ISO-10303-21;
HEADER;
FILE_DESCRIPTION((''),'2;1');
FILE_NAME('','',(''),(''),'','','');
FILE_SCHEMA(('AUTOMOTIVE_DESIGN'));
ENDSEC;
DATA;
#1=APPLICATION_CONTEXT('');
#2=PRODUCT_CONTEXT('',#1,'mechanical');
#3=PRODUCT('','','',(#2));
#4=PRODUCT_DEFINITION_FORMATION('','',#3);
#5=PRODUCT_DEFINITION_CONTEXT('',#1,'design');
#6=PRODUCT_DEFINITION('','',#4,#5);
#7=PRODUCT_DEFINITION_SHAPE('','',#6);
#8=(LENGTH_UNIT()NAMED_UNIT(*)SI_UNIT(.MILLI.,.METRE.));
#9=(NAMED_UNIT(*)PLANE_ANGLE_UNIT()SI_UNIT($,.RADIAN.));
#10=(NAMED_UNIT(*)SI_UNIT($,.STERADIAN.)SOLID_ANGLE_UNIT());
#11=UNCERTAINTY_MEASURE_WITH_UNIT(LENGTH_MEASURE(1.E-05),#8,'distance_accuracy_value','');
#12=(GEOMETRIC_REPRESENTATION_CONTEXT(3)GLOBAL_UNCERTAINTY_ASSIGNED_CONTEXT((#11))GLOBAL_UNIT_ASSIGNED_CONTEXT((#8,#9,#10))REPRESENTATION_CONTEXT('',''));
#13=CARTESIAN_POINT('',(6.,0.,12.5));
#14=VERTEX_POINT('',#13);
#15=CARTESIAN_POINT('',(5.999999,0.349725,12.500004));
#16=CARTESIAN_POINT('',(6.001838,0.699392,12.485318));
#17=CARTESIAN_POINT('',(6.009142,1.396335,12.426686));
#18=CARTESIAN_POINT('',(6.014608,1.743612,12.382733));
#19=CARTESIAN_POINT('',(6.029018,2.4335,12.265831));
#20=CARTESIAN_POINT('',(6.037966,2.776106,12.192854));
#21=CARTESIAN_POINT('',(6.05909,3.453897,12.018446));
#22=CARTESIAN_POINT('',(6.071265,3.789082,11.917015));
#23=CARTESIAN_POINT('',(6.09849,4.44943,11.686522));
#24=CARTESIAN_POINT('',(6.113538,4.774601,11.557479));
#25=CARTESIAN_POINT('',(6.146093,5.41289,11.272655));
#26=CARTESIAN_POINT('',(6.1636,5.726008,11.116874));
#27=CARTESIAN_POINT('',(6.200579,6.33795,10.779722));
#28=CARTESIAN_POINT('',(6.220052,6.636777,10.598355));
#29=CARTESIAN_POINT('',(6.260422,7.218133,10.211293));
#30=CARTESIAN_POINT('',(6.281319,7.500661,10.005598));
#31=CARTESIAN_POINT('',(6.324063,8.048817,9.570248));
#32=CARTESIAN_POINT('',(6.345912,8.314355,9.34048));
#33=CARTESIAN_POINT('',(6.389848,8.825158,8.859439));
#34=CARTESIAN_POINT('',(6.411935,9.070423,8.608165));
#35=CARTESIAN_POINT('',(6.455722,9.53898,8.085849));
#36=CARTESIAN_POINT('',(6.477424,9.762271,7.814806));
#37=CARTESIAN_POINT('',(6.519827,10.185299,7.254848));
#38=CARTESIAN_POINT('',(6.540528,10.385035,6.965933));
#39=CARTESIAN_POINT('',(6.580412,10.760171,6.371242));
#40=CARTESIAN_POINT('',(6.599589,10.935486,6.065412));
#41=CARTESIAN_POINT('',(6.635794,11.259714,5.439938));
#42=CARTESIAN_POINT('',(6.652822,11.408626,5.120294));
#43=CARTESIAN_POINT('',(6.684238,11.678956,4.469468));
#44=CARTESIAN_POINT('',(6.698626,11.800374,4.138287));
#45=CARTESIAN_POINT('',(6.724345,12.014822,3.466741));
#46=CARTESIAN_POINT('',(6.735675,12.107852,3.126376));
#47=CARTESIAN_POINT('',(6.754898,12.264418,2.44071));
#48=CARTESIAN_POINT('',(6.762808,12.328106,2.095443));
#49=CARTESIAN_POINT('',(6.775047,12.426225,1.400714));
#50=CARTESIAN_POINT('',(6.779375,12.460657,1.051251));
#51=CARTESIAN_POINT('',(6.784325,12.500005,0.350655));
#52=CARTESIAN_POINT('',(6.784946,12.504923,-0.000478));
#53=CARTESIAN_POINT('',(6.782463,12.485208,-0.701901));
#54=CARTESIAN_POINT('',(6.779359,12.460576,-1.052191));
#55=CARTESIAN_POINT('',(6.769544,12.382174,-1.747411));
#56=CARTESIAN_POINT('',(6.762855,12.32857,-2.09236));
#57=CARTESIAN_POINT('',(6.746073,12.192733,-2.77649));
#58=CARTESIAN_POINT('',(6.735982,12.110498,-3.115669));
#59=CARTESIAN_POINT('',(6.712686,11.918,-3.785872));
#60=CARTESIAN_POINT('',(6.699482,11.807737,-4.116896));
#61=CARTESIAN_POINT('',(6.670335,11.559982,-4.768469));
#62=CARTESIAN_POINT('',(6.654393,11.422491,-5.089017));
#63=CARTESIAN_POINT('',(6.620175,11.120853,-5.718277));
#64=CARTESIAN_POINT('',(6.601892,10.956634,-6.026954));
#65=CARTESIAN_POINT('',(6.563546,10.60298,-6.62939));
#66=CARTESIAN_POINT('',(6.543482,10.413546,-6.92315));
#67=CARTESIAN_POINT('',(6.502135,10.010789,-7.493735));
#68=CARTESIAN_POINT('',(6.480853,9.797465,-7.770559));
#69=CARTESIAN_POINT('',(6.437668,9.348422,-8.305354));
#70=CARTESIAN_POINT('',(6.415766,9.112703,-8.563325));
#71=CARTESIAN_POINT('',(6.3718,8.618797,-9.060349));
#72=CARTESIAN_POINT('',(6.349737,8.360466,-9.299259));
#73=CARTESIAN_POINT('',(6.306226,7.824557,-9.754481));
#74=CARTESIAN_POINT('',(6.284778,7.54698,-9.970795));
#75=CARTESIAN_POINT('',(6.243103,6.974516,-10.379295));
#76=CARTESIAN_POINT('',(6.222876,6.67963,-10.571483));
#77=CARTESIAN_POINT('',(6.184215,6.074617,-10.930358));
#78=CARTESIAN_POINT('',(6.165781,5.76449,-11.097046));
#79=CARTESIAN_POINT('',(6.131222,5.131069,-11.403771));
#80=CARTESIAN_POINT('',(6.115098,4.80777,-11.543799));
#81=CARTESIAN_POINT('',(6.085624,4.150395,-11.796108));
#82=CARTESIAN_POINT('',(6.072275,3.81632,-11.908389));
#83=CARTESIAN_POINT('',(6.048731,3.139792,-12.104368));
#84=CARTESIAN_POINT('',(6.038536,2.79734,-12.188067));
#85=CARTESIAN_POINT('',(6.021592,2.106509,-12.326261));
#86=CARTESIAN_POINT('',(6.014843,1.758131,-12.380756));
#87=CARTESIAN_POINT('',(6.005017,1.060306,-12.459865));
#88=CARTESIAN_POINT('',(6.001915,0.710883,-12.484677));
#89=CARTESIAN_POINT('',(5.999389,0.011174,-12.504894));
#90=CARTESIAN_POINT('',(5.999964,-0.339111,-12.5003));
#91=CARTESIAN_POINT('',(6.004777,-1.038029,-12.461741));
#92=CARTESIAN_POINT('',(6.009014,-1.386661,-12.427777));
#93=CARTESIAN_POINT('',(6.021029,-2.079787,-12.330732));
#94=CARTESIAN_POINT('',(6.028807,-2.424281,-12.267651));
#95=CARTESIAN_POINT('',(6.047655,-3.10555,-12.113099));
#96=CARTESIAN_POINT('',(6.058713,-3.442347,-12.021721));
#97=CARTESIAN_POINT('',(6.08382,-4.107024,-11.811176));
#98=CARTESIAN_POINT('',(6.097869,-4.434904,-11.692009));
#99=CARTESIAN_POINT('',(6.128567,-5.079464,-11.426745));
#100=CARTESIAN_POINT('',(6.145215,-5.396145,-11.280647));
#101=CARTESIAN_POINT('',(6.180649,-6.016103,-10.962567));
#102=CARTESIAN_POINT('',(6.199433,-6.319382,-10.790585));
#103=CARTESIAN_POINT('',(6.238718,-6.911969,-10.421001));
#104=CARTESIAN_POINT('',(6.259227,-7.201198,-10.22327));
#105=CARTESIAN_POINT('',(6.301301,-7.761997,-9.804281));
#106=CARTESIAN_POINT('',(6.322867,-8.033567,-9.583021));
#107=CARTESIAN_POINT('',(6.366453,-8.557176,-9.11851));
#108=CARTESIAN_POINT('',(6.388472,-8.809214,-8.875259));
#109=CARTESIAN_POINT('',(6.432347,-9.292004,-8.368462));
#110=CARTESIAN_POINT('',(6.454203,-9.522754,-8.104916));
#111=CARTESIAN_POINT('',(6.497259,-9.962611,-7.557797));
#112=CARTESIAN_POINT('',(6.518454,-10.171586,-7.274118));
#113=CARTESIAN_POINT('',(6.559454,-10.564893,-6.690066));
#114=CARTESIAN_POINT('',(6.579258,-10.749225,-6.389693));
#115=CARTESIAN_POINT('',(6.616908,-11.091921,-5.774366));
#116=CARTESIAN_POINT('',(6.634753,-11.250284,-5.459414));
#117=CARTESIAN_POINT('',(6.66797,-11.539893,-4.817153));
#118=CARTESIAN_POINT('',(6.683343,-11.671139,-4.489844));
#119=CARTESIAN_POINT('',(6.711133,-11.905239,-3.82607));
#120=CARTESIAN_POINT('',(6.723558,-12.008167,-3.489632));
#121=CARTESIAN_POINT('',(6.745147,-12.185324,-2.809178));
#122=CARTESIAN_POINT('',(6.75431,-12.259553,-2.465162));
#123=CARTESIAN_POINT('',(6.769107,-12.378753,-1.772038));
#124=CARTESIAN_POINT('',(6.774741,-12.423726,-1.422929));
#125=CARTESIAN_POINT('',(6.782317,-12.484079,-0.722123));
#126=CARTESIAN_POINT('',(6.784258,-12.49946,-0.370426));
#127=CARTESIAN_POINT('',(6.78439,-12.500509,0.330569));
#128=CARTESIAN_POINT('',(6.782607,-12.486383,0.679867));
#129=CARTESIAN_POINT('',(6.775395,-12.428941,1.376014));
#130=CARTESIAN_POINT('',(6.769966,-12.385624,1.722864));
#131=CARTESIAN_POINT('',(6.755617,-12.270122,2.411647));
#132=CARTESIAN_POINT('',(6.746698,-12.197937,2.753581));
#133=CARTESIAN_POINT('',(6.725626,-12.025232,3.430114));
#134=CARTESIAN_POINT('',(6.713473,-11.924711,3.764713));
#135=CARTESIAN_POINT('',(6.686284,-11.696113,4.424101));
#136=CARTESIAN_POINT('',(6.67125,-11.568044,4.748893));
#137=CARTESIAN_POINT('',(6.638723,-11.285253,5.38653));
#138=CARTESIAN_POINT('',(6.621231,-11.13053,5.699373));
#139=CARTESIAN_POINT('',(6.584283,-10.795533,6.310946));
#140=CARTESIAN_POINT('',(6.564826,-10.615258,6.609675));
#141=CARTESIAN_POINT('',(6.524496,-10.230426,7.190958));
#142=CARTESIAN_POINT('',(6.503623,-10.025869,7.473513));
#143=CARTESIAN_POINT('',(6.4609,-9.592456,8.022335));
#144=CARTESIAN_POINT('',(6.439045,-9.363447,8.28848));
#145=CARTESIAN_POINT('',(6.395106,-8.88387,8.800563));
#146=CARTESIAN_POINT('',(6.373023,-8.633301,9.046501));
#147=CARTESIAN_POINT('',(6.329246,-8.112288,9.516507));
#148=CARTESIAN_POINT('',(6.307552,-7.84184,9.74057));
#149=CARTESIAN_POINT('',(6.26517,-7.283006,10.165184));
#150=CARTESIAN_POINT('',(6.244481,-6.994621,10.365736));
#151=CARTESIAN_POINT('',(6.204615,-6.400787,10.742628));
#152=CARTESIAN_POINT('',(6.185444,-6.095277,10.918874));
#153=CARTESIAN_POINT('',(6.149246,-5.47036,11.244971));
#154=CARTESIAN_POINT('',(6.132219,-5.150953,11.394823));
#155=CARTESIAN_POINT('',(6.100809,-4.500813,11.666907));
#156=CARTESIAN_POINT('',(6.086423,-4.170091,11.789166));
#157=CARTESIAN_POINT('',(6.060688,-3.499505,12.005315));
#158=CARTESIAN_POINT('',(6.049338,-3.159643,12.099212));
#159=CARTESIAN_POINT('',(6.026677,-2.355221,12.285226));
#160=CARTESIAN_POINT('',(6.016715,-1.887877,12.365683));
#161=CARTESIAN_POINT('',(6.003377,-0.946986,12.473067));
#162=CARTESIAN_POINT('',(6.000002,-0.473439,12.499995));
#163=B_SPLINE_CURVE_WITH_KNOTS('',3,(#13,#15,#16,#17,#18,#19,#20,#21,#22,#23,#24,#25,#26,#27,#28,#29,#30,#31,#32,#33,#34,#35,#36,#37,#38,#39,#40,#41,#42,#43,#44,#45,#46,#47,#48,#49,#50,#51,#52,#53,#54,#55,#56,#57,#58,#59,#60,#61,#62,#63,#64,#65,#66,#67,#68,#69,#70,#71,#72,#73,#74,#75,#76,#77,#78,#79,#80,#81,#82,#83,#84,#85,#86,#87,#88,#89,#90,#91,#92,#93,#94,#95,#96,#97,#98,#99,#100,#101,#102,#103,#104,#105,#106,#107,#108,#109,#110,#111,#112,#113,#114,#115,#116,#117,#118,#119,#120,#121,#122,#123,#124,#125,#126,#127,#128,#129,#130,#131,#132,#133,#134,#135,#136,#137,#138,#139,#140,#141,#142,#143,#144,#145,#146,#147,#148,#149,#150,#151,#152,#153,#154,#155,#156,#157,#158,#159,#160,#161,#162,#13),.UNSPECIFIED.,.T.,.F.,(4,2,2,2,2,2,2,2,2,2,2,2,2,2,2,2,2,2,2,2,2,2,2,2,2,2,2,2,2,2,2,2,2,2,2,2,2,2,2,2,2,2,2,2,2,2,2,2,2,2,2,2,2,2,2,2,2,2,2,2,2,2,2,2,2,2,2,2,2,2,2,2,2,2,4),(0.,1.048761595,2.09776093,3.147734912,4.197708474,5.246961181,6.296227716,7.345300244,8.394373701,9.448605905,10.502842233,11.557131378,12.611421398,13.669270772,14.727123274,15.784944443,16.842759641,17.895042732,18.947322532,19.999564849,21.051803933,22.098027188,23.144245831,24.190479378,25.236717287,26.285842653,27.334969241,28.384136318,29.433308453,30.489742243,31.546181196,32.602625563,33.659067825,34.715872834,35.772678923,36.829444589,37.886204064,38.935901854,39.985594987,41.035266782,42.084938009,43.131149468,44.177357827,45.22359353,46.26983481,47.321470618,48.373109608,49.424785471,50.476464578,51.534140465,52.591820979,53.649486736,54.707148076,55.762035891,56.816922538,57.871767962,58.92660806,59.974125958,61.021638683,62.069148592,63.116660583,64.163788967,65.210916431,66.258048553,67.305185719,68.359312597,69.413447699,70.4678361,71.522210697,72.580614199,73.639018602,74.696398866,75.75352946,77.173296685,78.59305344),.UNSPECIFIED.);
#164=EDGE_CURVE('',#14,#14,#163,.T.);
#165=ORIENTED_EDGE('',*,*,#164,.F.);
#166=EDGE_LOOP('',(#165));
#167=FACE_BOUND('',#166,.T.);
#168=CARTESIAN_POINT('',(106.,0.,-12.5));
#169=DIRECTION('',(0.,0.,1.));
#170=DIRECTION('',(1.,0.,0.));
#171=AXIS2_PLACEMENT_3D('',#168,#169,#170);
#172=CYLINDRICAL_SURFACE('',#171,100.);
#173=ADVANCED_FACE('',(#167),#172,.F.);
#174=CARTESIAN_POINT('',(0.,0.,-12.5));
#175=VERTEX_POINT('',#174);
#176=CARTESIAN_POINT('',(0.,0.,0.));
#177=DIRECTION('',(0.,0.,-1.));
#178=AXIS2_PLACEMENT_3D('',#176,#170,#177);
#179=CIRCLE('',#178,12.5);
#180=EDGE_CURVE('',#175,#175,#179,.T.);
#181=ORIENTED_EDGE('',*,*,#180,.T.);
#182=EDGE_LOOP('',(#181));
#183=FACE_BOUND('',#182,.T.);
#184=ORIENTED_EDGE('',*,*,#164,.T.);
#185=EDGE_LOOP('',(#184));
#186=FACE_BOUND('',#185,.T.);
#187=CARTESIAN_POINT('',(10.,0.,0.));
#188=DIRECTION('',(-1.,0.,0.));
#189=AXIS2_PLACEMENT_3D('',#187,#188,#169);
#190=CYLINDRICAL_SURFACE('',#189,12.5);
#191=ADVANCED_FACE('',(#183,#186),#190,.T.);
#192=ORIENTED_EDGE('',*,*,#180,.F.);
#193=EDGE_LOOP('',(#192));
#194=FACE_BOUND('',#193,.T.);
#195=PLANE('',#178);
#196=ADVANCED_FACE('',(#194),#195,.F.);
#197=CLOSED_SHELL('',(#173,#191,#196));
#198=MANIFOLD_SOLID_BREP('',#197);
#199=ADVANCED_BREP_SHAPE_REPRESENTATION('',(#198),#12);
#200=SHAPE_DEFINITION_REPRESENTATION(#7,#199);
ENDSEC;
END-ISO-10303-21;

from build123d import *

# Parameters (mm, degrees)
SKETCH_1_R               = 12.5
EXTRUDE_1_DEPTH          = 10
SKETCH_2_R               = 100
CUT_EXTRUDE_1_DEPTH      = 13.5
CUT_EXTRUDE_1_DEPTH_BACK = 13.5


with BuildPart() as part:
    # 草图1 → 凸台-拉伸1 (new body)
    with BuildSketch(Plane(origin=(0, 0, 0), x_dir=(0, 0, -1), z_dir=(1, 0, 0))):
        Circle(SKETCH_1_R)
    extrude(amount=EXTRUDE_1_DEPTH)

    # 草图2 → 切除-拉伸1 (cut, two sides)
    with BuildSketch(Plane.XY) as cut_extrude_1_sk:
        with Locations((106, 0)):
            Circle(SKETCH_2_R)
    extrude(amount=CUT_EXTRUDE_1_DEPTH, mode=Mode.SUBTRACT)
    extrude(cut_extrude_1_sk.sketch, amount=-CUT_EXTRUDE_1_DEPTH_BACK, mode=Mode.SUBTRACT)


solid = part.part
